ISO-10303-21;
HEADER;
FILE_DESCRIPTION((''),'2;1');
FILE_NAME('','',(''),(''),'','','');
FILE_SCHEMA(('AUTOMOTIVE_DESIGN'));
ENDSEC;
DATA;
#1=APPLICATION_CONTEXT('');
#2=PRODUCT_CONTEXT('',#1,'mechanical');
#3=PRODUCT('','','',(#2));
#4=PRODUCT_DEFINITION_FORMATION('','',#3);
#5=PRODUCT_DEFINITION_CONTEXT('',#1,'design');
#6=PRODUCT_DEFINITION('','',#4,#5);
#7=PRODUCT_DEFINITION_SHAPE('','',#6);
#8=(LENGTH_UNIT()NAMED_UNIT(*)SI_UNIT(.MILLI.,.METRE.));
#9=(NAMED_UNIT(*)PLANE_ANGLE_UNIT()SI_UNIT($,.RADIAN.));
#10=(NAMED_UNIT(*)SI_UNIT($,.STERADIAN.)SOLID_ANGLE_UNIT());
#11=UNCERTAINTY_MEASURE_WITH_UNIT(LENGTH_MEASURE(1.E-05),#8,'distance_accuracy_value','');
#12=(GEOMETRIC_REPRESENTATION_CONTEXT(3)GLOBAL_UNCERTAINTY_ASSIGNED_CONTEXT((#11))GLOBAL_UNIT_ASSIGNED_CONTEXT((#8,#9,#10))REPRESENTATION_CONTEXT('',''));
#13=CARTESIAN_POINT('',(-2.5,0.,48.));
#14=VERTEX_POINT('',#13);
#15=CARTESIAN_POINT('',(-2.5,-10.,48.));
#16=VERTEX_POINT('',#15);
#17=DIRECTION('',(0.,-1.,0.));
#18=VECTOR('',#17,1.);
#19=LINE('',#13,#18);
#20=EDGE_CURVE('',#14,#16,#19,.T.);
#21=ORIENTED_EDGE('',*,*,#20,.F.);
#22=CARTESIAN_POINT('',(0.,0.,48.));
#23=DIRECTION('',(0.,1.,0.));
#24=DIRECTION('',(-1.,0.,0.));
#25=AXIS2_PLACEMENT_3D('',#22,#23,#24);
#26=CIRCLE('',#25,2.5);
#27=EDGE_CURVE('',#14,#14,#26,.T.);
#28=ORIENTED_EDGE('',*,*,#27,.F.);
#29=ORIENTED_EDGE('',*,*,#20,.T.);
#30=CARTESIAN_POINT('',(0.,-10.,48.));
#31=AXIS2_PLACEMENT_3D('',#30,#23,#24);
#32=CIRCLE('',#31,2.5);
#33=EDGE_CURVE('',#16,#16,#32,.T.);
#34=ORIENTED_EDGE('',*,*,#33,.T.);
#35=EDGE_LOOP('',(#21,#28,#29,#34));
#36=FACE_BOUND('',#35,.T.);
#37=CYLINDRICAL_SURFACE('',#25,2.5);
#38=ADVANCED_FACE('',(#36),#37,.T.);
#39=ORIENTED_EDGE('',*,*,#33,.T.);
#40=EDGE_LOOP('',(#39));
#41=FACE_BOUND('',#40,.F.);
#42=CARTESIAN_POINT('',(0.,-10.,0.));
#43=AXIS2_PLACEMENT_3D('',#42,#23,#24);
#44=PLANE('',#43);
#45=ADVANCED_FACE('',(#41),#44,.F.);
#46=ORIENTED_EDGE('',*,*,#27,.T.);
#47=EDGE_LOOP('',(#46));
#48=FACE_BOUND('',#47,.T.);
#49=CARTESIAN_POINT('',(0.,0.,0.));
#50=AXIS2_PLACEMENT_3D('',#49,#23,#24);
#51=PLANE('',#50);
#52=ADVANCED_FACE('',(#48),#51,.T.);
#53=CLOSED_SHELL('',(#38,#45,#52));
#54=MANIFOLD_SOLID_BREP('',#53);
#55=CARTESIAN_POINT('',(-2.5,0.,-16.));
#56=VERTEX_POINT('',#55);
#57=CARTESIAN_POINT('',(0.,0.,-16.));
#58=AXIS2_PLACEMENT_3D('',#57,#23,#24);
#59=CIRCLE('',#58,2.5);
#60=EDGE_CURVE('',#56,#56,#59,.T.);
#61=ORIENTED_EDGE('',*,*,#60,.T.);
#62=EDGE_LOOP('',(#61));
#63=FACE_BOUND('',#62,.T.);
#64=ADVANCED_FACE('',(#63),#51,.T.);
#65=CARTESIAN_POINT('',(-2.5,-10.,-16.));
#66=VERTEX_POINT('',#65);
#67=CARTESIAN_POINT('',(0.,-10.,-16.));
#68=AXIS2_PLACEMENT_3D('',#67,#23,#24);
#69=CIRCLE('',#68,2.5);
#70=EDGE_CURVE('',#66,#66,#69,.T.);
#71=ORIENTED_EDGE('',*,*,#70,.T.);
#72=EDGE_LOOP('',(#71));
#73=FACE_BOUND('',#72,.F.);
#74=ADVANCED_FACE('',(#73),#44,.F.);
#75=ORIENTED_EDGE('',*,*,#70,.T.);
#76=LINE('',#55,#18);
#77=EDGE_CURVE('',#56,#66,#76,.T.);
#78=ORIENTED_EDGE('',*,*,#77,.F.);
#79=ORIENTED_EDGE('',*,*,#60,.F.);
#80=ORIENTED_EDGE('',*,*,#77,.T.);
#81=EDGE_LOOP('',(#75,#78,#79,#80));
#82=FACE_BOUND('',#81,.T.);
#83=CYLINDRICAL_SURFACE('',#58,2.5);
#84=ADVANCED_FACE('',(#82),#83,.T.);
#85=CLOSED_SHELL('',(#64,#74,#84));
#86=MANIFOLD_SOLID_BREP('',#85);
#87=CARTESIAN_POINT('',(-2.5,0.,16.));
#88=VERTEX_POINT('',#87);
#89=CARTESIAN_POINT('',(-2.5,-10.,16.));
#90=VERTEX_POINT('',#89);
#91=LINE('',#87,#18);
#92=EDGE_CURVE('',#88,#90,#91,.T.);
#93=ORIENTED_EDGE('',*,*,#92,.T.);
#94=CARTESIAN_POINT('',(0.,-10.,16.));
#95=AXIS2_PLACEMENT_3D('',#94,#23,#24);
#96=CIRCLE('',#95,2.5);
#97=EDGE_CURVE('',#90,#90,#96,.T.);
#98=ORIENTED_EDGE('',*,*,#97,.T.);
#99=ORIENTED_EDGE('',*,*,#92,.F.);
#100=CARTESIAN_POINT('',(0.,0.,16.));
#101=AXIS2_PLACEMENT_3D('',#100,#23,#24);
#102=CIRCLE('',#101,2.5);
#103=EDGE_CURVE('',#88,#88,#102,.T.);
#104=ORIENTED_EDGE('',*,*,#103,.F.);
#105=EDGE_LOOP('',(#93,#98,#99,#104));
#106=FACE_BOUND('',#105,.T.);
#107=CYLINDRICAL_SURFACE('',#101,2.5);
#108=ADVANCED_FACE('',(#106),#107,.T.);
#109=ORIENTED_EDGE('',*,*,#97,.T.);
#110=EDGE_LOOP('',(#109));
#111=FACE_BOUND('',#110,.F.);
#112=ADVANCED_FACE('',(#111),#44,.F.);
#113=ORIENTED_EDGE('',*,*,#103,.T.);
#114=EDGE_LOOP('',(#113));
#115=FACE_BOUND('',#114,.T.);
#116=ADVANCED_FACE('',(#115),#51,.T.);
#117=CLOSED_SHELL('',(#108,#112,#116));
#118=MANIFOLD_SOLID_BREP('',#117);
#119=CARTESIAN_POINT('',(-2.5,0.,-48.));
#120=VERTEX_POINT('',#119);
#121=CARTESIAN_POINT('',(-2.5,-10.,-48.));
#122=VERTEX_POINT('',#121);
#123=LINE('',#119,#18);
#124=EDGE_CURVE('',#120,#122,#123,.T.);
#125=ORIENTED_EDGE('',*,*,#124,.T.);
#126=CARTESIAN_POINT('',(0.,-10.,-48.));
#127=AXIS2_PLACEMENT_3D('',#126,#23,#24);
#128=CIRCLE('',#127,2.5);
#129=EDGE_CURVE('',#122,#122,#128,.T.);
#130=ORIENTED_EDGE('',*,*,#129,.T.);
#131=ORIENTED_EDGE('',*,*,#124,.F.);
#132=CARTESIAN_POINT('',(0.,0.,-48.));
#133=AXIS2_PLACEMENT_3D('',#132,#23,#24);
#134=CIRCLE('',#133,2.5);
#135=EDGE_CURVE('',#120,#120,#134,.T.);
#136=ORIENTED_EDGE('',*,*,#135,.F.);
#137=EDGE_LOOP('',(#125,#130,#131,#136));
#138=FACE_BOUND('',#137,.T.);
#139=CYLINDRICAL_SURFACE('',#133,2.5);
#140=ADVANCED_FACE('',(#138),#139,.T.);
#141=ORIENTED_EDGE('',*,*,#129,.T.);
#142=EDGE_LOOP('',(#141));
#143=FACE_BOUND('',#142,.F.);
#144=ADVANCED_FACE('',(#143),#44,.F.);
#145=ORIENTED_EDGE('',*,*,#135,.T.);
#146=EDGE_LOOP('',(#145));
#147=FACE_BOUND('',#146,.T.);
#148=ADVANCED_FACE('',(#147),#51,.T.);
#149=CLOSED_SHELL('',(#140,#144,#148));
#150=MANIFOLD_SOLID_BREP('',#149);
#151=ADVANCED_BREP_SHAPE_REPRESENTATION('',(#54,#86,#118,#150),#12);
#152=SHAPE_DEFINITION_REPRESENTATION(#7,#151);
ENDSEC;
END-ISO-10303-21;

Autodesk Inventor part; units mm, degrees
ref_plane "YZ Plane" through (0, 0, 0) normal (1, 0, 0) x (0, 1, 0)
ref_plane "XZ Plane" through (0, 0, 0) normal (0, 1, 0) x (-1, 0, 0)
ref_plane "XY Plane" through (0, 0, 0) normal (0, 0, 1) x (1, 0, 0)
sketch "Sketch1" plane through (0, 0, 0) normal (0, 1, 0) x (-1, 0, 0)
  circle A0 centre (0, 48) radius 2.5
  circle A1 centre (0, 16) radius 2.5
  circle A2 centre (0, -16) radius 2.5
  circle A3 centre (0, -48) radius 2.5
  point P0 (0, 0)
  dimension "d0" = 5
  dimension "d1" = 5
  dimension "d2" = 5
  dimension "d3" = 5
  dimension "d4" = 32
  dimension "d5" = 32
  dimension "d6" = 32
  dimension "d7" = 16
extrude "Extrusion1" add sketch "Sketch1" against normal blind 10
properties part number "front_holes"
